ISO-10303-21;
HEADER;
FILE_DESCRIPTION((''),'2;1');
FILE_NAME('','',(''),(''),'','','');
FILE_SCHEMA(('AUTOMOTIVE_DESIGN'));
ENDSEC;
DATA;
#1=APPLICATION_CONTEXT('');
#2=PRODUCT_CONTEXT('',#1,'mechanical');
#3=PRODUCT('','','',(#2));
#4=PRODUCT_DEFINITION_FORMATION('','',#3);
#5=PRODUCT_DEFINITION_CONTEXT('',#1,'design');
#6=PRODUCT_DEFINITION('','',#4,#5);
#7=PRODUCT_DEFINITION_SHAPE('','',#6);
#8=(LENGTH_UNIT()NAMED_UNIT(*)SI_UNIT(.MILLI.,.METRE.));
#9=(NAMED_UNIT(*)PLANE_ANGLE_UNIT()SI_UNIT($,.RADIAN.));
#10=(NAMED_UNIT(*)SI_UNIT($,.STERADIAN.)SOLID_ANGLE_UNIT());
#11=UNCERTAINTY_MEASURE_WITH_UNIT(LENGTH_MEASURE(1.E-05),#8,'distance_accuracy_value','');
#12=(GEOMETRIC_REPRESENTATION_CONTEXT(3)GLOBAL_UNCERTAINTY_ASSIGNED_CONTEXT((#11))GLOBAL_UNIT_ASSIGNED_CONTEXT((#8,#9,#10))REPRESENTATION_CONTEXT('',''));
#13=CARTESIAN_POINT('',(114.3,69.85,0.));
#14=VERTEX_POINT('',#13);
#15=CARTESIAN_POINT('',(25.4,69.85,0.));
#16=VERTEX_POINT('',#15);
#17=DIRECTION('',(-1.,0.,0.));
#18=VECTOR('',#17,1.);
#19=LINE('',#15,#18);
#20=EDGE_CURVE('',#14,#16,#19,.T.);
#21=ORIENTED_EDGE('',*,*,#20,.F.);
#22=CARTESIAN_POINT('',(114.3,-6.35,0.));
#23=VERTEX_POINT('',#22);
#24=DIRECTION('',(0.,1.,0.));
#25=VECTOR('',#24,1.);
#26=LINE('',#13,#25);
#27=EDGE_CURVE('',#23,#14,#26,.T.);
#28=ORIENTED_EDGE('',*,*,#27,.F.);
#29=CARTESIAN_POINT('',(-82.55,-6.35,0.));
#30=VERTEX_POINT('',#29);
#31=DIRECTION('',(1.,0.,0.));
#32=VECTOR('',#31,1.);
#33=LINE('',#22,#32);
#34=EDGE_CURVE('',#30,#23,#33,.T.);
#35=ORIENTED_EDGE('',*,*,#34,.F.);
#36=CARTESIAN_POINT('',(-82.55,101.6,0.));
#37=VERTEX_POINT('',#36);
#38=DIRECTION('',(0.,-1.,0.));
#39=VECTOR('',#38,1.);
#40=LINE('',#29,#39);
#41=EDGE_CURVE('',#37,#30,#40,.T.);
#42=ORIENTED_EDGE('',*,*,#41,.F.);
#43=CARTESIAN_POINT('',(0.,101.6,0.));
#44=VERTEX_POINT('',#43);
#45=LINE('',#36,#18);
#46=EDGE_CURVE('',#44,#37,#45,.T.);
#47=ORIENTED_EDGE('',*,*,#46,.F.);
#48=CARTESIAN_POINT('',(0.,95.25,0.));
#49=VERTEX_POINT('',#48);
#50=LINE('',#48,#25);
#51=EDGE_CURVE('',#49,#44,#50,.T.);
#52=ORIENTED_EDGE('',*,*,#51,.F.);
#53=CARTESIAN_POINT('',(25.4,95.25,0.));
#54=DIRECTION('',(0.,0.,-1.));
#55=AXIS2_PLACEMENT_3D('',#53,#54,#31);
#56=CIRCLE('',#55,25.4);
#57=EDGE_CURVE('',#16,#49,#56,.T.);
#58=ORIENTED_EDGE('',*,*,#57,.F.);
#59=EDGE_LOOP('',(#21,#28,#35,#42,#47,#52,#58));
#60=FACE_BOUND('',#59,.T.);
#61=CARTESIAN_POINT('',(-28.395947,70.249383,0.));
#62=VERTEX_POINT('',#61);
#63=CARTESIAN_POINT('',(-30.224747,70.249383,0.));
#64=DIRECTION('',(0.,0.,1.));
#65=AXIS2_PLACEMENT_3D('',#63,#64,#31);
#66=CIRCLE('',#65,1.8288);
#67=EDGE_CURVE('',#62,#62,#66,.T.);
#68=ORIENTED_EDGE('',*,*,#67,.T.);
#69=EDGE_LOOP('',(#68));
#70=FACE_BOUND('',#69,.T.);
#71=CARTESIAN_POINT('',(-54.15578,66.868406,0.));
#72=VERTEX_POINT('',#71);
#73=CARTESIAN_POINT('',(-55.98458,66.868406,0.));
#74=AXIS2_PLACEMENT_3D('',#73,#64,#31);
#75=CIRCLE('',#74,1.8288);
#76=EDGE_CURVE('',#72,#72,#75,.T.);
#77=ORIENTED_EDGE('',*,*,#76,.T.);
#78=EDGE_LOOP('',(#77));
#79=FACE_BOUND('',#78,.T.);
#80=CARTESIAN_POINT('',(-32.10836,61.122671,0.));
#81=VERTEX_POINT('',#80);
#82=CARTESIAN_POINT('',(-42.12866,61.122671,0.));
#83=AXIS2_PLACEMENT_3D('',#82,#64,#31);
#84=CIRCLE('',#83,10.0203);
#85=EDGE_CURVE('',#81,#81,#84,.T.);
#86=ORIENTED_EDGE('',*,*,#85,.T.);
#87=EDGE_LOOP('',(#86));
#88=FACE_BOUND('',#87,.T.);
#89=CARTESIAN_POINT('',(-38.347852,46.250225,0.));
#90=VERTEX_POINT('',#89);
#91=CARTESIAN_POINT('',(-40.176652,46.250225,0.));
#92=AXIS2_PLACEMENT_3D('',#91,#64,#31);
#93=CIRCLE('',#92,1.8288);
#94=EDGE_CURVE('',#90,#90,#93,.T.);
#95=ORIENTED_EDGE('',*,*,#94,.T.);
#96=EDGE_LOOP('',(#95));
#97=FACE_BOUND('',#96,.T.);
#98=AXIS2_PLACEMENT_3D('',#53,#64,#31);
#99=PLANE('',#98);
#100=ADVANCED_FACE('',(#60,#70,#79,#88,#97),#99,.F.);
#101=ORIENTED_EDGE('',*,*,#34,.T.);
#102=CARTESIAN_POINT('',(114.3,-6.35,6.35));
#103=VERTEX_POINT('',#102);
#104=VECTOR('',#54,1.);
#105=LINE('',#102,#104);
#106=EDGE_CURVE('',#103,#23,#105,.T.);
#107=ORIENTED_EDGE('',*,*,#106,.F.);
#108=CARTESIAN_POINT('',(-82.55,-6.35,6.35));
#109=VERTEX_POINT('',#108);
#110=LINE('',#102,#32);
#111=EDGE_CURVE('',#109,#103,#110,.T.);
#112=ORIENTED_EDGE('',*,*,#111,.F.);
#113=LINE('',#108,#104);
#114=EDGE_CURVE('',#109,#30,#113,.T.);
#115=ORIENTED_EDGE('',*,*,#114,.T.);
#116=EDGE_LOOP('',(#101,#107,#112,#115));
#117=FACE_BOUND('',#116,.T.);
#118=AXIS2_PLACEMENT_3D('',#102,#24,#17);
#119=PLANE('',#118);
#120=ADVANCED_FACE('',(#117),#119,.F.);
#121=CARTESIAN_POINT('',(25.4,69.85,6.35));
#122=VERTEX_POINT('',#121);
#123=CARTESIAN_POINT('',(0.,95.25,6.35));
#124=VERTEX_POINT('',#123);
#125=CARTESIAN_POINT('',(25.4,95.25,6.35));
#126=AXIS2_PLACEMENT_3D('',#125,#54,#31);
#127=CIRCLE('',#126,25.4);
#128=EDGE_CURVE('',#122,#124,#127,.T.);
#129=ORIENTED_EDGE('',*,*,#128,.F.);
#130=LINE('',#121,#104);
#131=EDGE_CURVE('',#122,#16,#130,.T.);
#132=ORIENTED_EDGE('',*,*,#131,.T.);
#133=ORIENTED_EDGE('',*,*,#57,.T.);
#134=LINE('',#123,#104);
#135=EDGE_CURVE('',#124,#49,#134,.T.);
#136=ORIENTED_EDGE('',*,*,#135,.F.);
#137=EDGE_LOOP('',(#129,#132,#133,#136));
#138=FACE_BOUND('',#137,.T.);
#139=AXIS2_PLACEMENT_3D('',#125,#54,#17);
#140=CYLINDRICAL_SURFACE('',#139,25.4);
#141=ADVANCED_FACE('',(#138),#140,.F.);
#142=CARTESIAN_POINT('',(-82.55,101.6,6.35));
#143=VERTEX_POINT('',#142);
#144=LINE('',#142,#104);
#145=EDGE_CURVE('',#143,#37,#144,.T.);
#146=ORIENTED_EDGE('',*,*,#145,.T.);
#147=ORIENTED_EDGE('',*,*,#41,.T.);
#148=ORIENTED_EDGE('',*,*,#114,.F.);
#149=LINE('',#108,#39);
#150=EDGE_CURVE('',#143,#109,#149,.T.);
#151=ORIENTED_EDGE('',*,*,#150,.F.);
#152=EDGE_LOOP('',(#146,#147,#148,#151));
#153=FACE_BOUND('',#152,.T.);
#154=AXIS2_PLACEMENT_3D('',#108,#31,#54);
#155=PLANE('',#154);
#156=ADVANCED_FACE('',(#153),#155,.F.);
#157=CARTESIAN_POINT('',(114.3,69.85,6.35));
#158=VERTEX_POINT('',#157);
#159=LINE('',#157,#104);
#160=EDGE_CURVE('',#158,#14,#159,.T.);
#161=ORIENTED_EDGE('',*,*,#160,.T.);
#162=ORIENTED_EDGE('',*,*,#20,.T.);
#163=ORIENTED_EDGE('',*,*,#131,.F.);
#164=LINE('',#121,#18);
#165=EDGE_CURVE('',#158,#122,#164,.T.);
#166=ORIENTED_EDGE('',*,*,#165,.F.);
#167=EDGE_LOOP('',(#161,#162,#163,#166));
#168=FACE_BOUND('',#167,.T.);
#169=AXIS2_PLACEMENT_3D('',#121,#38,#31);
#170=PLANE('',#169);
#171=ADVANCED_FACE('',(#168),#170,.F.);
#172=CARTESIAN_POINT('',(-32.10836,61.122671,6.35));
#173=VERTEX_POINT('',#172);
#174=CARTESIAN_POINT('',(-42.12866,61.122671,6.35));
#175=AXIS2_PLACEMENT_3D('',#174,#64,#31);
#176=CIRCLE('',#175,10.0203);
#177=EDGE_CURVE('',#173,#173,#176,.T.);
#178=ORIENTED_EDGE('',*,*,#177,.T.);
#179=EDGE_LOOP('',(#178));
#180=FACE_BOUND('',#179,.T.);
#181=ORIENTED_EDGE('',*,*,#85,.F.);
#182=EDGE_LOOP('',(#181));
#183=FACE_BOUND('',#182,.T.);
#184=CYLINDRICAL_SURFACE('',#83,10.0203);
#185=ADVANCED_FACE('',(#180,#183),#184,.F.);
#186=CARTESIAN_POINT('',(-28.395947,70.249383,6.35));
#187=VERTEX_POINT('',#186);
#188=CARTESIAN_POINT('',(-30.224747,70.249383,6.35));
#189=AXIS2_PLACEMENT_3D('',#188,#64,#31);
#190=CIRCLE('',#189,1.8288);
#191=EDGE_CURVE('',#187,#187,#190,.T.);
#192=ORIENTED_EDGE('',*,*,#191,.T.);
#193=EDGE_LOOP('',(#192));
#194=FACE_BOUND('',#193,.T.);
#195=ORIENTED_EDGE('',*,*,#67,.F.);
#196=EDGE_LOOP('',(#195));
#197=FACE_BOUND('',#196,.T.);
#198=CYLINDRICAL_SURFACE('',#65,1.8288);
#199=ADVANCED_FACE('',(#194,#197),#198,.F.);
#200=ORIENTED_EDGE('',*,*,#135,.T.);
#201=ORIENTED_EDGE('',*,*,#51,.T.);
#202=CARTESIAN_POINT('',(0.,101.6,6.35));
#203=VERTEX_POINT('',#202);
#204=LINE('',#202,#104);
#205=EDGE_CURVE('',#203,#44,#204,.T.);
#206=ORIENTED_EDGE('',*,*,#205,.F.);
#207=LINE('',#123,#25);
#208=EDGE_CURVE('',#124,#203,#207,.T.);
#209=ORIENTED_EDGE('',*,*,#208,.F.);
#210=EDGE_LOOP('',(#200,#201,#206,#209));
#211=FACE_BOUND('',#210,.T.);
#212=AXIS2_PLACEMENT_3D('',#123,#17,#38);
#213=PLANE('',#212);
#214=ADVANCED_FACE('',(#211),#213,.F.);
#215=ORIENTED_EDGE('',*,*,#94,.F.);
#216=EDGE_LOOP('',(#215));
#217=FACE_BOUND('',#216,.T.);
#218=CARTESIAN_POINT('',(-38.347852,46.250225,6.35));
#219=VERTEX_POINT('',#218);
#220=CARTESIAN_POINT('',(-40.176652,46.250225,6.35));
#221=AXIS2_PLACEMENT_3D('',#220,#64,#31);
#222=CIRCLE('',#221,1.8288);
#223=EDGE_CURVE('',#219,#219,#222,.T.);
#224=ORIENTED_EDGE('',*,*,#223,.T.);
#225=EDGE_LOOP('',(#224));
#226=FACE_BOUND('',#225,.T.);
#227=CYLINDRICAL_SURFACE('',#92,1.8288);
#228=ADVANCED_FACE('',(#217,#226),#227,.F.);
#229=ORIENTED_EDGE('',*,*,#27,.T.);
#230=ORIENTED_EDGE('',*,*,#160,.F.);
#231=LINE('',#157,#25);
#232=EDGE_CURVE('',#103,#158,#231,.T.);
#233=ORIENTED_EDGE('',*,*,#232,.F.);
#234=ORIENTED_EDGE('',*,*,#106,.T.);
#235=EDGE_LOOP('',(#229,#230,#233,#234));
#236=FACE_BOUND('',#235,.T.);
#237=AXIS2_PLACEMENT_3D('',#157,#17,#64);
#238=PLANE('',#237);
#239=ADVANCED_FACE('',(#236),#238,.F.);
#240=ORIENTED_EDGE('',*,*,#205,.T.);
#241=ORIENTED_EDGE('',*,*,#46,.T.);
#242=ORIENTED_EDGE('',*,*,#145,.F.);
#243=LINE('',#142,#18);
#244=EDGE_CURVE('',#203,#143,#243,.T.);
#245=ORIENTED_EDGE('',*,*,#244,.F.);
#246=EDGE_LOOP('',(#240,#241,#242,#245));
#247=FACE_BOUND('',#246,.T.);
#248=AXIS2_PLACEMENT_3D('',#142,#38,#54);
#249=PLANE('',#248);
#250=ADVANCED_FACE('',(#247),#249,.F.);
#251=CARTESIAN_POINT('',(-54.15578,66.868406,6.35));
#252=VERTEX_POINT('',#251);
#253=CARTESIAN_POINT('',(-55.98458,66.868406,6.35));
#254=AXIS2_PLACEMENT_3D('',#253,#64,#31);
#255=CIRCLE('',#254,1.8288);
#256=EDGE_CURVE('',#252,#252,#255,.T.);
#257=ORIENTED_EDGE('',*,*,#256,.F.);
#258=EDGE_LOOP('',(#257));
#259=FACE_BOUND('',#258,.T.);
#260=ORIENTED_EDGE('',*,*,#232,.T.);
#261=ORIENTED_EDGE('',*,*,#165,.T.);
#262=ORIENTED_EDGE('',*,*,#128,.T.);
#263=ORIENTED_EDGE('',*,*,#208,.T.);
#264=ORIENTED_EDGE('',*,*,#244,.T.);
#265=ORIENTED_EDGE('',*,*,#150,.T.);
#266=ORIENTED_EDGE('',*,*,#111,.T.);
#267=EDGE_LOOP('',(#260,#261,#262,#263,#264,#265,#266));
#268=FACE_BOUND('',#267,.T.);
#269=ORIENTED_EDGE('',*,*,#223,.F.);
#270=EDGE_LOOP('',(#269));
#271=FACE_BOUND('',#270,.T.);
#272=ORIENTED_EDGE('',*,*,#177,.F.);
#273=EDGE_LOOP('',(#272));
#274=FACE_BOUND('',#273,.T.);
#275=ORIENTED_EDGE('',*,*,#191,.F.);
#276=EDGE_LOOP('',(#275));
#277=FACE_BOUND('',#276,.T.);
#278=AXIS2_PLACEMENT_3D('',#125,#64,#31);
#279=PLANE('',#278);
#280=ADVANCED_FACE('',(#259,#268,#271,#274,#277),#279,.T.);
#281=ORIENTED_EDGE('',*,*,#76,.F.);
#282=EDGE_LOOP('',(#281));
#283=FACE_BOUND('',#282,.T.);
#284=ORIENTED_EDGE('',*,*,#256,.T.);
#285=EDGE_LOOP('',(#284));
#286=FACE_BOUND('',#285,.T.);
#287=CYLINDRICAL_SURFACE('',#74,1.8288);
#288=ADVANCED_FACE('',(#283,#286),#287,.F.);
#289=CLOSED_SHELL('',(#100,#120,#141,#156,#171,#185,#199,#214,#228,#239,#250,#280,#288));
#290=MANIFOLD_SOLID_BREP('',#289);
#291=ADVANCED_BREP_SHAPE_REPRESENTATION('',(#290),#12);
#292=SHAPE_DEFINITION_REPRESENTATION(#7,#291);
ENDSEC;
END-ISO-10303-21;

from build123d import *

# Parameters (mm, degrees)
BOSS_EXTRUDE1_DEPTH = 6.35
SKETCH4_R           = 10.0203
SKETCH4_R_2         = 1.8288
CUT_EXTRUDE3_DEPTH  = 154.060029074


with BuildPart() as part:
    # Sketch2 → Boss-Extrude1 (new body)
    with BuildSketch(Plane.XY):
        with BuildLine():
            Line((-82.55, -6.35), (-82.55, 101.6))
            Line((-82.55, 101.6), (0, 101.6))
            Line((0, 101.6), (0, 95.25))
            ThreePointArc((0, 95.25), (7.439487758, 77.289487758), (25.4, 69.85))
            Line((25.4, 69.85), (114.3, 69.85))
            Line((114.3, 69.85), (114.3, -6.35))
            Line((114.3, -6.35), (-82.55, -6.35))
        make_face()
    extrude(amount=BOSS_EXTRUDE1_DEPTH)

    # Sketch4 → Cut-Extrude3 (cut, through all)
    with BuildSketch(Plane.XY.offset(6.35)):
        with Locations((-42.128660063, 61.122671242)):
            Circle(SKETCH4_R)
        with Locations((-30.224747325, 70.249382672)):
            Circle(SKETCH4_R_2)
        with Locations((-55.984580384, 66.868406363)):
            Circle(SKETCH4_R_2)
        with Locations((-40.176652481, 46.250224691)):
            Circle(SKETCH4_R_2)
    extrude(amount=-CUT_EXTRUDE3_DEPTH, mode=Mode.SUBTRACT)


solid = part.part
